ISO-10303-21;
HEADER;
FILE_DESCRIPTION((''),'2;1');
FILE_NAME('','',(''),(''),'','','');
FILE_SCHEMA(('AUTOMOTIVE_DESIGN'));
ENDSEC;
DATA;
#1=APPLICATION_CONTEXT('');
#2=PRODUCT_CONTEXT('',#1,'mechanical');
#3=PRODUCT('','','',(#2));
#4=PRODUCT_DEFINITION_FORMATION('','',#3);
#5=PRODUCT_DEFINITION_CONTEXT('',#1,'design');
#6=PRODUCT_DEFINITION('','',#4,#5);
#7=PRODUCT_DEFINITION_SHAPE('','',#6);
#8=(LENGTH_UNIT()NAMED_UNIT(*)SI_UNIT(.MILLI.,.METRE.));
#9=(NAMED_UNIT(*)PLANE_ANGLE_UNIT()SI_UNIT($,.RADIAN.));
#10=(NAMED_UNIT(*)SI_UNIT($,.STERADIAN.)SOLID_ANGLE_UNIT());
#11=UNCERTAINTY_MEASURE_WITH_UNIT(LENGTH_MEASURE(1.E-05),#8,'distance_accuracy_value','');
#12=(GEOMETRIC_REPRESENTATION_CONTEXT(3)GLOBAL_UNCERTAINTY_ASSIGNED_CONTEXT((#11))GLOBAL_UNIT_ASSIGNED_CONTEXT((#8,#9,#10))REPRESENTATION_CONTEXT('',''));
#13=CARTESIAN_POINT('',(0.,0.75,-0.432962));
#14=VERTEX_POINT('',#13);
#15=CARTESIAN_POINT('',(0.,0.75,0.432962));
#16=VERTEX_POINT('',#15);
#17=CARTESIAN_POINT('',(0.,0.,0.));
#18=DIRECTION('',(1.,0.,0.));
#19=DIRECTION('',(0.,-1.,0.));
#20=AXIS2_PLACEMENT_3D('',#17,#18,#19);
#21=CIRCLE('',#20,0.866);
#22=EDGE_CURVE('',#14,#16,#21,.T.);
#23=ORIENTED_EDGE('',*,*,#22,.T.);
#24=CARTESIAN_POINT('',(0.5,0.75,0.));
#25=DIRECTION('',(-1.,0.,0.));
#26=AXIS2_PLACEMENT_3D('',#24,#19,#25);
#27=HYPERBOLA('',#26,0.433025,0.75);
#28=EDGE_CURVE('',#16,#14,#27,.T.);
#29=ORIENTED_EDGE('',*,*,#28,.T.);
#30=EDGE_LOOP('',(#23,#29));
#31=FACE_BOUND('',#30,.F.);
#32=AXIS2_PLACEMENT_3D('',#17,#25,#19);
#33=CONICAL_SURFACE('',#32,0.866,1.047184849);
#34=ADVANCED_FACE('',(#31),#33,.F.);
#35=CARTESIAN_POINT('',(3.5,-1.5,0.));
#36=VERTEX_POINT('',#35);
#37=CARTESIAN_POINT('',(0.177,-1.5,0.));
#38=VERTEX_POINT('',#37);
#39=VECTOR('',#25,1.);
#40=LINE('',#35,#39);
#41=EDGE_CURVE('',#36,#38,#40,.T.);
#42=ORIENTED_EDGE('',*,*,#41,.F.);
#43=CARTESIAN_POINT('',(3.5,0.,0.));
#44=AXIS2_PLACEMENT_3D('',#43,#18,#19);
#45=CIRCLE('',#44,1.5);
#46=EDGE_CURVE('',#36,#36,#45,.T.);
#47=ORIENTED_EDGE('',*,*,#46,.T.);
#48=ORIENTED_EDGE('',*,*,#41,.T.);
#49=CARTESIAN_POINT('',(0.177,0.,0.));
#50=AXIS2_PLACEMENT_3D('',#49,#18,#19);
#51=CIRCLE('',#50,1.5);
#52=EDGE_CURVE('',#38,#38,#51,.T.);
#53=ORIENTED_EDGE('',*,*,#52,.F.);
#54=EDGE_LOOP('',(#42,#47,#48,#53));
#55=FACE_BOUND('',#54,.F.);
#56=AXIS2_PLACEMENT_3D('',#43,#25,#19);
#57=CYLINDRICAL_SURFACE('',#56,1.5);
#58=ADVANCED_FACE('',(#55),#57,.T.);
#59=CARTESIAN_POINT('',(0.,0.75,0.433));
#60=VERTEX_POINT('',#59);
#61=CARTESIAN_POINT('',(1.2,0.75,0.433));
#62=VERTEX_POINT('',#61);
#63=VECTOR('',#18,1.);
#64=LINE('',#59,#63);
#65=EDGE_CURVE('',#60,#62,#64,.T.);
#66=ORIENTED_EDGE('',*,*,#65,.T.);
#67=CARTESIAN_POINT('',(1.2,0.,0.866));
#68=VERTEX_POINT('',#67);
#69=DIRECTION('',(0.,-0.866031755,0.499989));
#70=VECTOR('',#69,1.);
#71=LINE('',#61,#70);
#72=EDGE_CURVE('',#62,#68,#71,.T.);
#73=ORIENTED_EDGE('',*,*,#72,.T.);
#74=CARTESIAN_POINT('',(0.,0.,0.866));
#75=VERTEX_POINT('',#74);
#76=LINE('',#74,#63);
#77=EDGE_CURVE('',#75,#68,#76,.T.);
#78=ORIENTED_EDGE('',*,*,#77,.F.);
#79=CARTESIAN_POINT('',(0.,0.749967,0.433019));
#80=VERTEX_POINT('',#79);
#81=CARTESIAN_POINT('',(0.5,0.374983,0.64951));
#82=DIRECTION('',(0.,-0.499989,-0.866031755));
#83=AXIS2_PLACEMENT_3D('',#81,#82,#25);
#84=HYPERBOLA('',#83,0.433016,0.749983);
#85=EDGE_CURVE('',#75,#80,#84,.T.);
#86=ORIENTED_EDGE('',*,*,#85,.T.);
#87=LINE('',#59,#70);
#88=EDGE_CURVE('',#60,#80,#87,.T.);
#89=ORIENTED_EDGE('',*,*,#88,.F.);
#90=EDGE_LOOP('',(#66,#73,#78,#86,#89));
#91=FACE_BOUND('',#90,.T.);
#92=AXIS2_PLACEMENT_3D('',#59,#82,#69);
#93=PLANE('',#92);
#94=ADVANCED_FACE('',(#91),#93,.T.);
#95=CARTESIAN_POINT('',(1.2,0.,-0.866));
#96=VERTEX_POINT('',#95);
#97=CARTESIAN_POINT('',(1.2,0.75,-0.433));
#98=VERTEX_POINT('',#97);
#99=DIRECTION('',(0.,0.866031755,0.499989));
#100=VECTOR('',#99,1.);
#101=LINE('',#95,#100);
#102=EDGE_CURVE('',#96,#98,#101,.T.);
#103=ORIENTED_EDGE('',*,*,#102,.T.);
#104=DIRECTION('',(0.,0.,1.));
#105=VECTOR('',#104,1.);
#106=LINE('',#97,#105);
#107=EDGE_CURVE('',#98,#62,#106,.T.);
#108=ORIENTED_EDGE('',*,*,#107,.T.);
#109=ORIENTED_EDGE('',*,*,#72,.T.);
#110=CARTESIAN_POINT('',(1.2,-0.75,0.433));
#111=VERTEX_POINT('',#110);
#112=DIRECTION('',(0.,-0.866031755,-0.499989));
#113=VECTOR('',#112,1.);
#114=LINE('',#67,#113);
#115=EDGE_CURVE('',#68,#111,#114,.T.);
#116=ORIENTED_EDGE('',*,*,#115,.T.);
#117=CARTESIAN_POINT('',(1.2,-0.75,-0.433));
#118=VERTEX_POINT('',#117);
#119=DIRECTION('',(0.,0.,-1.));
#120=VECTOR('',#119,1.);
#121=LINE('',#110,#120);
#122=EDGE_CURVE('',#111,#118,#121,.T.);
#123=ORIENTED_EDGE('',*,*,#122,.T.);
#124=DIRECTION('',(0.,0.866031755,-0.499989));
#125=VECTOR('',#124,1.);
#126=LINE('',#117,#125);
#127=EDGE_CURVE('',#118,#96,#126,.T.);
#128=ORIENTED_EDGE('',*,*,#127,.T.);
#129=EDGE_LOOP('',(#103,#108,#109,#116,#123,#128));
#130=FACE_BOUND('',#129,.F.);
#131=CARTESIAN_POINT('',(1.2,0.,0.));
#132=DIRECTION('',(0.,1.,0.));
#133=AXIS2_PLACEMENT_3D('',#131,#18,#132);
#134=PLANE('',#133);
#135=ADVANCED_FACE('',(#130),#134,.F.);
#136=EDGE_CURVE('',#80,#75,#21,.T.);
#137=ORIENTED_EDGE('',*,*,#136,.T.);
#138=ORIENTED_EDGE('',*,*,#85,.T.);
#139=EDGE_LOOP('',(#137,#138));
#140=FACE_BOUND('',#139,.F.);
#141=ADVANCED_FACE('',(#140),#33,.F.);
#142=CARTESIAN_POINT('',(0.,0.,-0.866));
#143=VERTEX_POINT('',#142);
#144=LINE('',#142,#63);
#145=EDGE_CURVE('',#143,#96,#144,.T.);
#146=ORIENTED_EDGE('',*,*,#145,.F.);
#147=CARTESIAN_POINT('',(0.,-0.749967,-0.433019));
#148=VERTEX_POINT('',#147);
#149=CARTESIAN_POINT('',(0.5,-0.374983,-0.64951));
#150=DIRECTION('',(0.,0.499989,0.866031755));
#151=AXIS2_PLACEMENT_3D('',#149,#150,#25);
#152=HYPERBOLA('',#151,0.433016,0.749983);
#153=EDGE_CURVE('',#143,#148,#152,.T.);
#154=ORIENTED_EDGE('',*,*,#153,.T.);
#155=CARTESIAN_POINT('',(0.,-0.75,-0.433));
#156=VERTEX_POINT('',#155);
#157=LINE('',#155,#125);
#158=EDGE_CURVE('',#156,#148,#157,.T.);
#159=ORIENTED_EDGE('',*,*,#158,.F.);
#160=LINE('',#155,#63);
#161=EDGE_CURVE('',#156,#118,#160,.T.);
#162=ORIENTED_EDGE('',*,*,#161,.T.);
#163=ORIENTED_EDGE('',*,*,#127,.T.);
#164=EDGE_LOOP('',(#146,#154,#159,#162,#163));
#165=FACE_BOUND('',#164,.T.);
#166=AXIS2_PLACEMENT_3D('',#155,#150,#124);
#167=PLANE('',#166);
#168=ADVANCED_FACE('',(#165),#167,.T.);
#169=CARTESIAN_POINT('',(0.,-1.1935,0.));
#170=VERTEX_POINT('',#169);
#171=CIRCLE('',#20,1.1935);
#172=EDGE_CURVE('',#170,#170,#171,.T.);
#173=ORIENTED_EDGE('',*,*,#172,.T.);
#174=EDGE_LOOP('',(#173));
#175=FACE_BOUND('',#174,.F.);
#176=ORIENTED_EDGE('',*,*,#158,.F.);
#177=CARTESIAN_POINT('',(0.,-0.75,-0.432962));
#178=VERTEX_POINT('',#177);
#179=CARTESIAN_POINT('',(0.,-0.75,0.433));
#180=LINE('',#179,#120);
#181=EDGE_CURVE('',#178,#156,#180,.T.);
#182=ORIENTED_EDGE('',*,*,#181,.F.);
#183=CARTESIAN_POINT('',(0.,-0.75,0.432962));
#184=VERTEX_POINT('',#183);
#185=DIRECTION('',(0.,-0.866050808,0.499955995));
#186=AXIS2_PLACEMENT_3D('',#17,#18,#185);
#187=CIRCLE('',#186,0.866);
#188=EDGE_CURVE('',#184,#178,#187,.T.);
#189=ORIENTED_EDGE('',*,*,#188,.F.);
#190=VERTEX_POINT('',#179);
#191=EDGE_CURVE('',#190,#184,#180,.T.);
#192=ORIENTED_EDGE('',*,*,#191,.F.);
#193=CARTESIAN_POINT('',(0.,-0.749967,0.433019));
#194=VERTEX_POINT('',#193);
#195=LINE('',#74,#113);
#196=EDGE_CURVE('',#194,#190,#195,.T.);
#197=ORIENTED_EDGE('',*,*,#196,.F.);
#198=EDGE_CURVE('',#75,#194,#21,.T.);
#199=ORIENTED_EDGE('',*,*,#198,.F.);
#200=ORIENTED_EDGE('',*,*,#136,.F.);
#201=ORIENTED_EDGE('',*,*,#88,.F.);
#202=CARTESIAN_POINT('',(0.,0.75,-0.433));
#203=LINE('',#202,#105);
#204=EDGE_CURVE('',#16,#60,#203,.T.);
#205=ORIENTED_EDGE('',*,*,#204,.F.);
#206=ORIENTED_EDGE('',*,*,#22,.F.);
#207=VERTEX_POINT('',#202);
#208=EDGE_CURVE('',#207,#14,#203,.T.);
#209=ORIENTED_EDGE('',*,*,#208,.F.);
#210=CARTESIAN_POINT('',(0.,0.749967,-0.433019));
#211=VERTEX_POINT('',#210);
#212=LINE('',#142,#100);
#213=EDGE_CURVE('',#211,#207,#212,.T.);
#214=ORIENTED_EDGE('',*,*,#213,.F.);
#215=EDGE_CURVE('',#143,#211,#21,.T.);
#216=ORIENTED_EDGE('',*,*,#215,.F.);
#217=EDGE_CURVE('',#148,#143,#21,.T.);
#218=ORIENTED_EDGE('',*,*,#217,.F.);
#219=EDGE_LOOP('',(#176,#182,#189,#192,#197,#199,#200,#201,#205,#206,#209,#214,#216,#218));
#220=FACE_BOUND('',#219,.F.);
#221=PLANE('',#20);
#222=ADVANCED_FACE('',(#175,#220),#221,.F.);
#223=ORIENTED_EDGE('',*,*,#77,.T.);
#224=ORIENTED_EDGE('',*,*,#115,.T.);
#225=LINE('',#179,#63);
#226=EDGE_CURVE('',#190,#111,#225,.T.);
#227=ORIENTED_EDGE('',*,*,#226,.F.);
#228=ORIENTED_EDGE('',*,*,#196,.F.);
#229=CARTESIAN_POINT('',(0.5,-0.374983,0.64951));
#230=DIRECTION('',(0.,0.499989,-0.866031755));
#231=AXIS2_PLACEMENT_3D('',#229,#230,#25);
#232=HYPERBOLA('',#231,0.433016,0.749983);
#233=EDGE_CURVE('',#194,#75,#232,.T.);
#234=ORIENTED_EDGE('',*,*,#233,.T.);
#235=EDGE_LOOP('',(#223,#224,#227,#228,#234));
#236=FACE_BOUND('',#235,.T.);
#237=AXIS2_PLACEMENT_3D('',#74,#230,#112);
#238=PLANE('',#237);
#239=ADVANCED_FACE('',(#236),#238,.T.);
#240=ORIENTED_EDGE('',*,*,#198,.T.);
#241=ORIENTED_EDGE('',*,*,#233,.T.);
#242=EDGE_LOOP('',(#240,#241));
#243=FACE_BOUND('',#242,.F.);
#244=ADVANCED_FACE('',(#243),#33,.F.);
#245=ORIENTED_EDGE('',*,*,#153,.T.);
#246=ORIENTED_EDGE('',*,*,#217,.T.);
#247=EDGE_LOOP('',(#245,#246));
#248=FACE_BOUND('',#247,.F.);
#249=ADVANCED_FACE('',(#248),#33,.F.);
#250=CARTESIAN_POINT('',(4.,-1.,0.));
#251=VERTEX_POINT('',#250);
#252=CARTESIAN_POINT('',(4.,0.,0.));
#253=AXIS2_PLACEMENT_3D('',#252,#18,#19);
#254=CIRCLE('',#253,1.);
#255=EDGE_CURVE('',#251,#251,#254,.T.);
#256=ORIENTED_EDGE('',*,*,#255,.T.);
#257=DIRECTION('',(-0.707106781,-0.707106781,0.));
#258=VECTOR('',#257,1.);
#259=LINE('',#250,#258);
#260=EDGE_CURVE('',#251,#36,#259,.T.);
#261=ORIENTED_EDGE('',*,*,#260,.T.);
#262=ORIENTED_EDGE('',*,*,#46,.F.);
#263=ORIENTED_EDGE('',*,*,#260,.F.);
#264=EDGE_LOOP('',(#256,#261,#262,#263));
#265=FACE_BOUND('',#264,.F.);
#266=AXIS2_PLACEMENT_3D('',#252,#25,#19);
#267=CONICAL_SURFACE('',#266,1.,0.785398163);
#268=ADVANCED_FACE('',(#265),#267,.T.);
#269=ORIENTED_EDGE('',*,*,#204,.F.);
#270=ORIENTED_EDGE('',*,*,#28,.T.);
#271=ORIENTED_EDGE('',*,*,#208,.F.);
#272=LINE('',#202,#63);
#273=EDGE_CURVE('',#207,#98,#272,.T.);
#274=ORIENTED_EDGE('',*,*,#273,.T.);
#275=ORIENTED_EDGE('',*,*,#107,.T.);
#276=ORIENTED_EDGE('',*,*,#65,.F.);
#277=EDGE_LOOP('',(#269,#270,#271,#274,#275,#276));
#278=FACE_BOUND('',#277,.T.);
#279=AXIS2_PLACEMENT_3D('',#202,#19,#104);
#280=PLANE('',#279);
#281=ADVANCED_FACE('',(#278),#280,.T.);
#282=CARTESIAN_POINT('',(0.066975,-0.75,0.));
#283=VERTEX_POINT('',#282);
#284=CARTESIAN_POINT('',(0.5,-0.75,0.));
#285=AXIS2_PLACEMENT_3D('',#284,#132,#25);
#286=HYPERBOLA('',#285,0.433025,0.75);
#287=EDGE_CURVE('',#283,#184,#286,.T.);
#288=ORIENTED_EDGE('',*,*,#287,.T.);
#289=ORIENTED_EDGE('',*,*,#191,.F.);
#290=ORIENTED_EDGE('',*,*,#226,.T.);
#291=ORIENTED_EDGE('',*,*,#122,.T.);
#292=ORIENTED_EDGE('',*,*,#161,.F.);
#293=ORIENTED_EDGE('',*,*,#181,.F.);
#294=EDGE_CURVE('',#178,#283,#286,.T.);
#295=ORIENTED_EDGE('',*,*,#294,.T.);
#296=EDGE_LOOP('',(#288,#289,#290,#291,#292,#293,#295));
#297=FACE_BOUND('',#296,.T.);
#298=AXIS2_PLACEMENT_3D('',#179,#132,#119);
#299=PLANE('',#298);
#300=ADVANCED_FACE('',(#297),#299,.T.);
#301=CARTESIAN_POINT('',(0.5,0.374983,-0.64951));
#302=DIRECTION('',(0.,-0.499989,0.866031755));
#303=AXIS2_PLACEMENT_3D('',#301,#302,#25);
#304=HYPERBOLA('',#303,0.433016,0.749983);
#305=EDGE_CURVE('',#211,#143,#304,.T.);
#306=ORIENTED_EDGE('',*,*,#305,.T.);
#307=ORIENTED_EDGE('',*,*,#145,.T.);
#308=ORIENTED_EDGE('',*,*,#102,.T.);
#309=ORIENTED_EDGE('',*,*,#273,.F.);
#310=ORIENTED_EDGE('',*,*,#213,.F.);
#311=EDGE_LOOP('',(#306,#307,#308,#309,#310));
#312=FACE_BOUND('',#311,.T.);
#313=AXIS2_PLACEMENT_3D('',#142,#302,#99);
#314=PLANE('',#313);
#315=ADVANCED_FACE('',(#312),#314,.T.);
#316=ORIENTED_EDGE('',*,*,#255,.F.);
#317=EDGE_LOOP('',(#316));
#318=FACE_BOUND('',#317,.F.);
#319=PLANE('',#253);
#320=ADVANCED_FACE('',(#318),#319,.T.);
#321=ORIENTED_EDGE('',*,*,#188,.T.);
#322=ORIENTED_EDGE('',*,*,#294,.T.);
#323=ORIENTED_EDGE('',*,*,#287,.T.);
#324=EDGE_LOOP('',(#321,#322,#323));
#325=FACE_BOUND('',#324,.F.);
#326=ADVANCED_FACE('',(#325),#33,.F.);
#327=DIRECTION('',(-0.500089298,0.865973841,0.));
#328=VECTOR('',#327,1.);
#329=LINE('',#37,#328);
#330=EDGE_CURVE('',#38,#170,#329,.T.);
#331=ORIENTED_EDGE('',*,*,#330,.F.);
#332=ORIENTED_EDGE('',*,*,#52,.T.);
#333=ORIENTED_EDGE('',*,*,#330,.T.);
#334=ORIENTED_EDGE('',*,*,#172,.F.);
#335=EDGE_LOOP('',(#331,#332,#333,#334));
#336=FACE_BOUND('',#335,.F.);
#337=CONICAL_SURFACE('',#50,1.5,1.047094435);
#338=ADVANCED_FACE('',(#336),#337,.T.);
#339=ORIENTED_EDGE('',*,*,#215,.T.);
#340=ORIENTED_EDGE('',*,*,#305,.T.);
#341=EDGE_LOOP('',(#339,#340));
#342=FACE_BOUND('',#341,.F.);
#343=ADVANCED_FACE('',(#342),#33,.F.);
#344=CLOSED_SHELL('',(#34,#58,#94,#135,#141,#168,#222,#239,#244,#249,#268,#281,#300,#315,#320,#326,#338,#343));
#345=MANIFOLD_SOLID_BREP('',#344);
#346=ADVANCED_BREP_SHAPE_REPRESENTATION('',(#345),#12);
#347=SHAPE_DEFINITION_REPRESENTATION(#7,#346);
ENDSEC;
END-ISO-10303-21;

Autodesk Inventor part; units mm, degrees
sketch "Sketch_1" plane through (0, 0, 0) normal (0, 0, 1) x (1, 0, 0)
  line L0 (0.5, 0) -> (4, 0)
  line L1 (4, 0) -> (4, -1)
  line L2 (4, -1) -> (3.5, -1.5)
  line L3 (3.5, -1.5) -> (0.177, -1.5)
  line L4 (0.177, -1.5) -> (0, -1.1935)
  line L5 (0, -1.1935) -> (0, -0.866)
  line L6 (0, -0.866) -> (0.5, 0)
  line L7 (0.5, 0) -> (4, 0)
revolve "Revolution1" add sketch "Sketch_1" angle 360 about axis through (0.5, 0, 0) along (1, 0, 0)
thread "Thread1" size "M3x0.5" class "6g" standard "ISO Metric profile" full length
sketch "Sketch_2" plane through (0, 0, 0) normal (1, 0, 0) x (0, 1, 0)
  line L0 (0, 0.866) -> (-0.75, 0.433)
  line L1 (-0.75, 0.433) -> (-0.75, -0.433)
  line L2 (-0.75, -0.433) -> (0, -0.866)
  line L3 (0, -0.866) -> (0.75, -0.433)
  line L4 (0.75, -0.433) -> (0.75, 0.433)
  line L5 (0.75, 0.433) -> (0, 0.866)
extrude "Extrusion1" cut sketch "Sketch_2" along normal blind 1.2
ref_plane "IP1_XY" through (0, 0, 0) normal (1, 0, 0) x (0, 0, -1)
ref_plane "IP1_YZ" through (0, 0, 0) normal (0, 0, -1) x (0, 1, 0)
ref_plane "IP1_ZX" through (0, 0, 0) normal (0, 1, 0) x (1, 0, 0)
ref_plane "IP2_XY" through (4, 0, 0) normal (1, 0, 0) x (0, 0, -1)
ref_plane "IP2_YZ" through (4, 0, 0) normal (0, 0, -1) x (0, 1, 0)
ref_plane "IP2_ZX" through (4, 0, 0) normal (0, 1, 0) x (1, 0, 0)
properties part number "Hexagon socket set screw with flat point DIN 913 - M3x4"
